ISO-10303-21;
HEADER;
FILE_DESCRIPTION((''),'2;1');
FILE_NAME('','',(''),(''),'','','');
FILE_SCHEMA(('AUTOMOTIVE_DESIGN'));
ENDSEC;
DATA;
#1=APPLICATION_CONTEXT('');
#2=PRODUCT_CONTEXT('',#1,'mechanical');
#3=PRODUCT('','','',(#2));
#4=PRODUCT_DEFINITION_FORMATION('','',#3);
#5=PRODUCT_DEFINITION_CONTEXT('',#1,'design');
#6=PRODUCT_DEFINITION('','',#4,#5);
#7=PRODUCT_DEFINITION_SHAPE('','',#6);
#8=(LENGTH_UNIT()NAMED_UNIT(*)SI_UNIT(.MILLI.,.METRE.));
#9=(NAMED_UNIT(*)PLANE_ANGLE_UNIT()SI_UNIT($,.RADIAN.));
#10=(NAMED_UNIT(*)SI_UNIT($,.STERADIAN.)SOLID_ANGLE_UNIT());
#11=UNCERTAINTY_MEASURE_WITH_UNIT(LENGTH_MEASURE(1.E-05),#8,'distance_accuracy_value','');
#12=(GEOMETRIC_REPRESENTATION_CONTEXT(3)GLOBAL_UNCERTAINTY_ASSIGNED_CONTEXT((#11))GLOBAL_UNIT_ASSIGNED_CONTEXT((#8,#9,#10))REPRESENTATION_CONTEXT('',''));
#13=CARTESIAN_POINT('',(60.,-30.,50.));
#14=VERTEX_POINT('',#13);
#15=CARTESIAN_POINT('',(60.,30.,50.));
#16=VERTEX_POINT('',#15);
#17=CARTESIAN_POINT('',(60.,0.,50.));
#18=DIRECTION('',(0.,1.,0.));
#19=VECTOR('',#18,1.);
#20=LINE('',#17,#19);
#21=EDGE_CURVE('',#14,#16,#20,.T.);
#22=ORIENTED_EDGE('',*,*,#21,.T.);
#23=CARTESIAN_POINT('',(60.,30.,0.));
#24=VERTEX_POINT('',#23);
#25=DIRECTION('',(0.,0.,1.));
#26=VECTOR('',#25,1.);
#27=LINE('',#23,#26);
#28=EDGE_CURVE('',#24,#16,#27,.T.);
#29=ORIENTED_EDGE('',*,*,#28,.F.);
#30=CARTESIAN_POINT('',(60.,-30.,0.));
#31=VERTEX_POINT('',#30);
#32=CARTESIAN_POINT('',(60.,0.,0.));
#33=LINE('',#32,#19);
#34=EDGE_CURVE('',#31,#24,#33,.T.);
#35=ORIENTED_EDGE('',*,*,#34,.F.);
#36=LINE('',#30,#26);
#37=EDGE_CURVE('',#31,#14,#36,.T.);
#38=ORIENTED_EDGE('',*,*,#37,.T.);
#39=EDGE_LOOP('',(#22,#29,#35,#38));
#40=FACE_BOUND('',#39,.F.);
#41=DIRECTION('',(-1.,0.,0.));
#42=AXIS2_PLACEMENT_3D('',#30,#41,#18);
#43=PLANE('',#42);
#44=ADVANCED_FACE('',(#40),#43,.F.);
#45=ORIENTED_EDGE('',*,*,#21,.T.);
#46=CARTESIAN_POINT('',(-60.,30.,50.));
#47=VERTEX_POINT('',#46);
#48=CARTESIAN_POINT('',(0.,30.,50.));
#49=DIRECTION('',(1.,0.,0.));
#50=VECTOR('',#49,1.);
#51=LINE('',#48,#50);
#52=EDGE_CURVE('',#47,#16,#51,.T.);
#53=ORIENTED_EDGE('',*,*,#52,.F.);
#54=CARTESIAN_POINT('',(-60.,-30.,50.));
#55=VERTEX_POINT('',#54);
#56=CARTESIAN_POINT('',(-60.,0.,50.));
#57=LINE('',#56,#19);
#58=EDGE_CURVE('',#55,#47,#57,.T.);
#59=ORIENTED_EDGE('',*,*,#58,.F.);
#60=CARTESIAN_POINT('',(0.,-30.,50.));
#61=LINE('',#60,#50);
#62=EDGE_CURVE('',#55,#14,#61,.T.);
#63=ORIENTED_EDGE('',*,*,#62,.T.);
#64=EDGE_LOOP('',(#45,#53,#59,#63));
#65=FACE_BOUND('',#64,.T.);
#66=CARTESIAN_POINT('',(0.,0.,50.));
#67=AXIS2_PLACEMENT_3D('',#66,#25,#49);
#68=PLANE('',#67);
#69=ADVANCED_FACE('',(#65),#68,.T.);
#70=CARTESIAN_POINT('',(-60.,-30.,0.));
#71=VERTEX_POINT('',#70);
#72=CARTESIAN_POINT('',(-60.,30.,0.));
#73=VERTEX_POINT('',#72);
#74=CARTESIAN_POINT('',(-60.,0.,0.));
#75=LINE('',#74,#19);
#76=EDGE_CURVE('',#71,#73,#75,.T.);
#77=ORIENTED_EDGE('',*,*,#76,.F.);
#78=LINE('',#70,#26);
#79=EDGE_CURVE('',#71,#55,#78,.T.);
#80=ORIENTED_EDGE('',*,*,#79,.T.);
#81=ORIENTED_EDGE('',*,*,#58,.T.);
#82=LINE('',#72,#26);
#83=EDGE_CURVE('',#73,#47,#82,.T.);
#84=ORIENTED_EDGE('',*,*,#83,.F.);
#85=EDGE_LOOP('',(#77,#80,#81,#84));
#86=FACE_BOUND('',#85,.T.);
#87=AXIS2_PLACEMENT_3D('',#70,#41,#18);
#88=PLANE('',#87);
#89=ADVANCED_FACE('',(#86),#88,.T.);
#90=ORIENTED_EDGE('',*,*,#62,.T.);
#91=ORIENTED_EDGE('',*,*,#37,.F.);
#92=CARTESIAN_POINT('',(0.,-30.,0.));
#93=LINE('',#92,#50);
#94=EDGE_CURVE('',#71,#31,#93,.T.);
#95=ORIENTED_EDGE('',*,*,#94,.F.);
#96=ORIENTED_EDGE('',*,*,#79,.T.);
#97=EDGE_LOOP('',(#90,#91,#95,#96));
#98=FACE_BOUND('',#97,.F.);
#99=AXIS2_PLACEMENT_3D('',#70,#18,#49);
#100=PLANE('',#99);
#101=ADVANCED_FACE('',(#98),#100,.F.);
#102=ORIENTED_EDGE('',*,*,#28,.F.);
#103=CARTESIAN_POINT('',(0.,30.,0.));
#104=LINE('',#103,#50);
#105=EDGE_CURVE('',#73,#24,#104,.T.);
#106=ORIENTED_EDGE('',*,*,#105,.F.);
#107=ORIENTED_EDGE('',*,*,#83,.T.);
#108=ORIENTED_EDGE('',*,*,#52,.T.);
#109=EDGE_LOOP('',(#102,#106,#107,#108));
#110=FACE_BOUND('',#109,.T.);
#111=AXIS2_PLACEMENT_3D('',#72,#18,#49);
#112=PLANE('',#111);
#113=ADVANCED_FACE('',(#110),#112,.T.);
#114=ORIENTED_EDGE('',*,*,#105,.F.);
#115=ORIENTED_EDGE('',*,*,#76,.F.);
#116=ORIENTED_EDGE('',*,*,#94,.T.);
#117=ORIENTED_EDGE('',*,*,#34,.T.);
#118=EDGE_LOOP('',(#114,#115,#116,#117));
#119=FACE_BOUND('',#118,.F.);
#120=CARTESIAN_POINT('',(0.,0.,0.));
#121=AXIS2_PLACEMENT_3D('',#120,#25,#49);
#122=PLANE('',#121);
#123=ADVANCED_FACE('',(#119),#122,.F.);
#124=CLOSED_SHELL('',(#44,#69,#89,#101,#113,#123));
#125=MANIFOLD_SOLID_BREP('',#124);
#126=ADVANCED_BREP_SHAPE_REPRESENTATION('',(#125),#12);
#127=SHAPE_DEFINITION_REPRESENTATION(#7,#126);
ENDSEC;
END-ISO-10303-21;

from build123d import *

# Parameters (mm, degrees)
SKETCH_W      = 120
SKETCH_H      = 60
EXTRUDE_DEPTH = 50


with BuildPart() as part:
    # Sketch → Extrude (new body)
    with BuildSketch(Plane.XY):
        Rectangle(SKETCH_W, SKETCH_H)
    extrude(amount=EXTRUDE_DEPTH)


solid = part.part
